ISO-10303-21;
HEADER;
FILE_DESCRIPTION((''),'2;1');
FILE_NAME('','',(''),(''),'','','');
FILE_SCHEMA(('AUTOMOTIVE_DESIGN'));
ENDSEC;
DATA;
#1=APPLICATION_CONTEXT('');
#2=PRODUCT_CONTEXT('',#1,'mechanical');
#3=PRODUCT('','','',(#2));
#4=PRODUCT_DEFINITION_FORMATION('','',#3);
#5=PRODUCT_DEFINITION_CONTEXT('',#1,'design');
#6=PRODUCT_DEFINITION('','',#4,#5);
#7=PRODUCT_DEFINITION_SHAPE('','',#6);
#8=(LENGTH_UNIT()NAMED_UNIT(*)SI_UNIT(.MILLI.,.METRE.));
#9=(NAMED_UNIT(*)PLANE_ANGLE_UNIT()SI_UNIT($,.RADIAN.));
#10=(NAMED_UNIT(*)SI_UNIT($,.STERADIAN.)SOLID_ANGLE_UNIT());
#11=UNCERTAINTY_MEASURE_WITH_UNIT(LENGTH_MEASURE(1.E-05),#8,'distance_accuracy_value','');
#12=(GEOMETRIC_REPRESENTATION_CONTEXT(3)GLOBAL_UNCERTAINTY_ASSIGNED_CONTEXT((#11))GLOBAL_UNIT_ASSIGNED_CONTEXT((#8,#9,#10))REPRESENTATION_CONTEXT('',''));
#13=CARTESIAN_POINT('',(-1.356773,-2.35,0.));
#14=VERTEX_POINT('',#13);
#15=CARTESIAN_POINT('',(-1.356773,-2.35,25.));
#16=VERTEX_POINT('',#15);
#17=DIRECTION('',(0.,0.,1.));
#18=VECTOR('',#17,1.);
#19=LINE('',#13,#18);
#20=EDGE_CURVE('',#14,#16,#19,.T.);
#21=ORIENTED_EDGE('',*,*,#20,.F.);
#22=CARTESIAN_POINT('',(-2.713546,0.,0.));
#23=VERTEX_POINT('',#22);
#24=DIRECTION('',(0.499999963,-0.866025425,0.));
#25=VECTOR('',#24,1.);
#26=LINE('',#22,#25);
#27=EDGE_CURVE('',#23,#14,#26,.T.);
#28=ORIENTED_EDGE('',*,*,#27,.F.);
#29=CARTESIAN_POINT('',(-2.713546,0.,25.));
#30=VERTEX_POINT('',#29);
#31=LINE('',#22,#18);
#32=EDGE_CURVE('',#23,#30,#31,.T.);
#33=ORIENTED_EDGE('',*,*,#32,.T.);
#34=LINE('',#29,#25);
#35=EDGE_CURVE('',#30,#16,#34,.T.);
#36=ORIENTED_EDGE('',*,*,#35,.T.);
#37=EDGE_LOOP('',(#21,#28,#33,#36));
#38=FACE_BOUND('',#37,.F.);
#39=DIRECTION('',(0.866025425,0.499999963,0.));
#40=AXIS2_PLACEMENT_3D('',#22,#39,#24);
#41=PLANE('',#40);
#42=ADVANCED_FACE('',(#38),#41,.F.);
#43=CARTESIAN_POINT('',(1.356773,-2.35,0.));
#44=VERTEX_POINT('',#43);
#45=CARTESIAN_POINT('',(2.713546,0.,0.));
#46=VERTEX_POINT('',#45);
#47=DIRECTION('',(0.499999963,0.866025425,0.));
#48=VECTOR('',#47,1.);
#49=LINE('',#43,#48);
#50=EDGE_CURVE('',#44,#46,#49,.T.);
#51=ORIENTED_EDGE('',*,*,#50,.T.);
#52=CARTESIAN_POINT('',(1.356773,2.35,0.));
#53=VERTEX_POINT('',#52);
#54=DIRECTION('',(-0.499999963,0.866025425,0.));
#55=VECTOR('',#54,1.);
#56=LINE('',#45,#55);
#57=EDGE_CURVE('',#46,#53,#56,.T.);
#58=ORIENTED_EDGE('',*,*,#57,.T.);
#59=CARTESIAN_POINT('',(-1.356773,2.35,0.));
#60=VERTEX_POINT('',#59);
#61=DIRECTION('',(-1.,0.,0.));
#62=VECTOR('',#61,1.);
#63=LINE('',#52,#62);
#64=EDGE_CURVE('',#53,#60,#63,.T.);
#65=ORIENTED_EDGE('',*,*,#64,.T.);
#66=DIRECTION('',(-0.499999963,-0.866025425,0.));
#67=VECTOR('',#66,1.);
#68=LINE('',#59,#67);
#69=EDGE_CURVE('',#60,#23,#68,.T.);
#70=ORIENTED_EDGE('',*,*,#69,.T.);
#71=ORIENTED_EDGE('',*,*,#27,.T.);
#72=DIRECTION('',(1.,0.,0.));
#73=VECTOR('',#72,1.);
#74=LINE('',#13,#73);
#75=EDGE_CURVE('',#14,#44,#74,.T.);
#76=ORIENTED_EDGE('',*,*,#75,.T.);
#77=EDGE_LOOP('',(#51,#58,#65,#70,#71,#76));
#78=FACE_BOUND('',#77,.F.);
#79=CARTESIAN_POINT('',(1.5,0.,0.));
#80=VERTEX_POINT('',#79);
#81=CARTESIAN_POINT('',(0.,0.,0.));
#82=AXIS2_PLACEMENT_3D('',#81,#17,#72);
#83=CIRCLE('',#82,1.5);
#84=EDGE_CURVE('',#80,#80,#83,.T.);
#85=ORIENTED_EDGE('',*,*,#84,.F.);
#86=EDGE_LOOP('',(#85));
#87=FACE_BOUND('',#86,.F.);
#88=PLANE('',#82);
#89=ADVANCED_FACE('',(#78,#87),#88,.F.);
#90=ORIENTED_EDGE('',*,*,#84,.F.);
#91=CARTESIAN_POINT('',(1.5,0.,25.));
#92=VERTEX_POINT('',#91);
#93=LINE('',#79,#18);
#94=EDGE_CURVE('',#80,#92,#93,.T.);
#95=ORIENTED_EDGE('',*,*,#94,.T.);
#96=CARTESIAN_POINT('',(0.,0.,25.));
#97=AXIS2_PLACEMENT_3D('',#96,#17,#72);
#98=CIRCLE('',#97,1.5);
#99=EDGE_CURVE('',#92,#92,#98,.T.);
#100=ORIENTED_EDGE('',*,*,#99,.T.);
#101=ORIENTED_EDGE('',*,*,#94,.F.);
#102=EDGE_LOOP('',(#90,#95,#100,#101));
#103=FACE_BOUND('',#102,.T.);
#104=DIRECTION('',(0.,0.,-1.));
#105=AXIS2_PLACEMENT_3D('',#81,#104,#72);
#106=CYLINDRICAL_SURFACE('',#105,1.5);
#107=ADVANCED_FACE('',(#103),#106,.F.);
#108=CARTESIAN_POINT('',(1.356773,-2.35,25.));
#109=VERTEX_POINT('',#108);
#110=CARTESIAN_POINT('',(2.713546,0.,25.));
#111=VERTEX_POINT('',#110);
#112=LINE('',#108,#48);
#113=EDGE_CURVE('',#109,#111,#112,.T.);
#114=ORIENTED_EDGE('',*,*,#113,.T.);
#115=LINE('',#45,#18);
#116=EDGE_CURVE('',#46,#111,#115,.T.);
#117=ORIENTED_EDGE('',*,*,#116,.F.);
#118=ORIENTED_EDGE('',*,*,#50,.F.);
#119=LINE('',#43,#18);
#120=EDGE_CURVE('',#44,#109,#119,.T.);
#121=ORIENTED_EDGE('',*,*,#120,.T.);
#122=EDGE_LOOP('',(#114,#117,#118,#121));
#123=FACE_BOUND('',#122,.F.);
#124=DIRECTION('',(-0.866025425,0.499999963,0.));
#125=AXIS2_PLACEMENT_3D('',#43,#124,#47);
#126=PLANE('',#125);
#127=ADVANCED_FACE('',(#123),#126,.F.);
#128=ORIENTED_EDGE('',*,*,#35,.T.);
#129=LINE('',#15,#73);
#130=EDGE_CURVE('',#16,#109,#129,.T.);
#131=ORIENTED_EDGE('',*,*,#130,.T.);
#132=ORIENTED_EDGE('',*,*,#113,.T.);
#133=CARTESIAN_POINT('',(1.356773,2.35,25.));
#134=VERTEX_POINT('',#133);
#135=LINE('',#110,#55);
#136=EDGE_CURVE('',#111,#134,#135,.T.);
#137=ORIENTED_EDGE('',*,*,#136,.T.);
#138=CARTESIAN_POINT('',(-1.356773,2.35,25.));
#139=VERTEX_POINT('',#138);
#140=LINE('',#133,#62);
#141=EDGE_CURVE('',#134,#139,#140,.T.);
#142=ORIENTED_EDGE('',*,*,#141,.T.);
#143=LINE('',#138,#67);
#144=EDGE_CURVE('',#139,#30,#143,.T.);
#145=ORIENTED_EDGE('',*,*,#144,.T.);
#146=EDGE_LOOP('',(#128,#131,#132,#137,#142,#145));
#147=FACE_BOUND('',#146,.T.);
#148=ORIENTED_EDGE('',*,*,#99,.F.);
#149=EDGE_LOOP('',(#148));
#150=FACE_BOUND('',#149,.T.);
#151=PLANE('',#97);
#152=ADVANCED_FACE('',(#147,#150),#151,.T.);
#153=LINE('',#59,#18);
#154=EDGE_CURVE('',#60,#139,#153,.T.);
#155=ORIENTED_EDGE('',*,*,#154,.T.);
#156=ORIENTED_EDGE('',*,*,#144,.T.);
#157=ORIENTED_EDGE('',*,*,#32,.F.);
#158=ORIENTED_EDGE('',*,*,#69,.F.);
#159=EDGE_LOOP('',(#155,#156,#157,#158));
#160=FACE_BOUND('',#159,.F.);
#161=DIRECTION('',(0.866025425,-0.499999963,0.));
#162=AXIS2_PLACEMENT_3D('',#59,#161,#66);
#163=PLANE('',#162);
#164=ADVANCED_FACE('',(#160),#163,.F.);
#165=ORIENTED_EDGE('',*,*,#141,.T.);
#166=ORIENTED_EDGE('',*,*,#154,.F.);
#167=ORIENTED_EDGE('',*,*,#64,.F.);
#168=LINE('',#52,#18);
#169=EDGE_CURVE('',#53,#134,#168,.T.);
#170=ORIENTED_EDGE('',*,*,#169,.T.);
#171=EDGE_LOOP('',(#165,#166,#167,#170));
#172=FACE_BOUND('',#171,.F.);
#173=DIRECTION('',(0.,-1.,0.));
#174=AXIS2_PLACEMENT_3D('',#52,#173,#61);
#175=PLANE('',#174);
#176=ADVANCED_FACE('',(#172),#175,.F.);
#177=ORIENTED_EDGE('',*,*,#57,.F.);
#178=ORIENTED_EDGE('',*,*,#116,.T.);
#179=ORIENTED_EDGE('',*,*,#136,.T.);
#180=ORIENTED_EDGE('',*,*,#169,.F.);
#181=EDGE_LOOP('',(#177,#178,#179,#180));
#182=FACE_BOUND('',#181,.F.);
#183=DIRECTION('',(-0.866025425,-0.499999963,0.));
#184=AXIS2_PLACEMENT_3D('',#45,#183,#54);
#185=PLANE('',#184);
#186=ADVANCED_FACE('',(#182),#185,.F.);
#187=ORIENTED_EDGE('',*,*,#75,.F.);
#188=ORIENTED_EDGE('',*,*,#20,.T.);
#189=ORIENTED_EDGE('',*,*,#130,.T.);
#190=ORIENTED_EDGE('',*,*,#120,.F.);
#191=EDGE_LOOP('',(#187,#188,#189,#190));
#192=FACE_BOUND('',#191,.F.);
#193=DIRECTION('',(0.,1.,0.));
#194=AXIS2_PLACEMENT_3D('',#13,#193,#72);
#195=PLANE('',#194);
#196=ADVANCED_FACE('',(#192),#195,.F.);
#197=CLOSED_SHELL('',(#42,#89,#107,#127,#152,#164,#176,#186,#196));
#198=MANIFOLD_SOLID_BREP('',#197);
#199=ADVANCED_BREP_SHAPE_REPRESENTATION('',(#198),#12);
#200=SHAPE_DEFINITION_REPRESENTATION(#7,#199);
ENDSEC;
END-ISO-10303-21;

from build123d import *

# Parameters (mm, degrees)
SKETCH_R  = 1.5
PAD_DEPTH = 25


with BuildPart() as part:
    # Sketch → Pad (new body)
    with BuildSketch(Plane.XY):
        Polygon((1.356773, -2.35), (2.713546, 0), (1.356773, 2.35), (-1.356773, 2.35), (-2.713546, 0), (-1.356773, -2.35), align=None)
        Circle(SKETCH_R, mode=Mode.SUBTRACT)
    extrude(amount=PAD_DEPTH)


solid = part.part
